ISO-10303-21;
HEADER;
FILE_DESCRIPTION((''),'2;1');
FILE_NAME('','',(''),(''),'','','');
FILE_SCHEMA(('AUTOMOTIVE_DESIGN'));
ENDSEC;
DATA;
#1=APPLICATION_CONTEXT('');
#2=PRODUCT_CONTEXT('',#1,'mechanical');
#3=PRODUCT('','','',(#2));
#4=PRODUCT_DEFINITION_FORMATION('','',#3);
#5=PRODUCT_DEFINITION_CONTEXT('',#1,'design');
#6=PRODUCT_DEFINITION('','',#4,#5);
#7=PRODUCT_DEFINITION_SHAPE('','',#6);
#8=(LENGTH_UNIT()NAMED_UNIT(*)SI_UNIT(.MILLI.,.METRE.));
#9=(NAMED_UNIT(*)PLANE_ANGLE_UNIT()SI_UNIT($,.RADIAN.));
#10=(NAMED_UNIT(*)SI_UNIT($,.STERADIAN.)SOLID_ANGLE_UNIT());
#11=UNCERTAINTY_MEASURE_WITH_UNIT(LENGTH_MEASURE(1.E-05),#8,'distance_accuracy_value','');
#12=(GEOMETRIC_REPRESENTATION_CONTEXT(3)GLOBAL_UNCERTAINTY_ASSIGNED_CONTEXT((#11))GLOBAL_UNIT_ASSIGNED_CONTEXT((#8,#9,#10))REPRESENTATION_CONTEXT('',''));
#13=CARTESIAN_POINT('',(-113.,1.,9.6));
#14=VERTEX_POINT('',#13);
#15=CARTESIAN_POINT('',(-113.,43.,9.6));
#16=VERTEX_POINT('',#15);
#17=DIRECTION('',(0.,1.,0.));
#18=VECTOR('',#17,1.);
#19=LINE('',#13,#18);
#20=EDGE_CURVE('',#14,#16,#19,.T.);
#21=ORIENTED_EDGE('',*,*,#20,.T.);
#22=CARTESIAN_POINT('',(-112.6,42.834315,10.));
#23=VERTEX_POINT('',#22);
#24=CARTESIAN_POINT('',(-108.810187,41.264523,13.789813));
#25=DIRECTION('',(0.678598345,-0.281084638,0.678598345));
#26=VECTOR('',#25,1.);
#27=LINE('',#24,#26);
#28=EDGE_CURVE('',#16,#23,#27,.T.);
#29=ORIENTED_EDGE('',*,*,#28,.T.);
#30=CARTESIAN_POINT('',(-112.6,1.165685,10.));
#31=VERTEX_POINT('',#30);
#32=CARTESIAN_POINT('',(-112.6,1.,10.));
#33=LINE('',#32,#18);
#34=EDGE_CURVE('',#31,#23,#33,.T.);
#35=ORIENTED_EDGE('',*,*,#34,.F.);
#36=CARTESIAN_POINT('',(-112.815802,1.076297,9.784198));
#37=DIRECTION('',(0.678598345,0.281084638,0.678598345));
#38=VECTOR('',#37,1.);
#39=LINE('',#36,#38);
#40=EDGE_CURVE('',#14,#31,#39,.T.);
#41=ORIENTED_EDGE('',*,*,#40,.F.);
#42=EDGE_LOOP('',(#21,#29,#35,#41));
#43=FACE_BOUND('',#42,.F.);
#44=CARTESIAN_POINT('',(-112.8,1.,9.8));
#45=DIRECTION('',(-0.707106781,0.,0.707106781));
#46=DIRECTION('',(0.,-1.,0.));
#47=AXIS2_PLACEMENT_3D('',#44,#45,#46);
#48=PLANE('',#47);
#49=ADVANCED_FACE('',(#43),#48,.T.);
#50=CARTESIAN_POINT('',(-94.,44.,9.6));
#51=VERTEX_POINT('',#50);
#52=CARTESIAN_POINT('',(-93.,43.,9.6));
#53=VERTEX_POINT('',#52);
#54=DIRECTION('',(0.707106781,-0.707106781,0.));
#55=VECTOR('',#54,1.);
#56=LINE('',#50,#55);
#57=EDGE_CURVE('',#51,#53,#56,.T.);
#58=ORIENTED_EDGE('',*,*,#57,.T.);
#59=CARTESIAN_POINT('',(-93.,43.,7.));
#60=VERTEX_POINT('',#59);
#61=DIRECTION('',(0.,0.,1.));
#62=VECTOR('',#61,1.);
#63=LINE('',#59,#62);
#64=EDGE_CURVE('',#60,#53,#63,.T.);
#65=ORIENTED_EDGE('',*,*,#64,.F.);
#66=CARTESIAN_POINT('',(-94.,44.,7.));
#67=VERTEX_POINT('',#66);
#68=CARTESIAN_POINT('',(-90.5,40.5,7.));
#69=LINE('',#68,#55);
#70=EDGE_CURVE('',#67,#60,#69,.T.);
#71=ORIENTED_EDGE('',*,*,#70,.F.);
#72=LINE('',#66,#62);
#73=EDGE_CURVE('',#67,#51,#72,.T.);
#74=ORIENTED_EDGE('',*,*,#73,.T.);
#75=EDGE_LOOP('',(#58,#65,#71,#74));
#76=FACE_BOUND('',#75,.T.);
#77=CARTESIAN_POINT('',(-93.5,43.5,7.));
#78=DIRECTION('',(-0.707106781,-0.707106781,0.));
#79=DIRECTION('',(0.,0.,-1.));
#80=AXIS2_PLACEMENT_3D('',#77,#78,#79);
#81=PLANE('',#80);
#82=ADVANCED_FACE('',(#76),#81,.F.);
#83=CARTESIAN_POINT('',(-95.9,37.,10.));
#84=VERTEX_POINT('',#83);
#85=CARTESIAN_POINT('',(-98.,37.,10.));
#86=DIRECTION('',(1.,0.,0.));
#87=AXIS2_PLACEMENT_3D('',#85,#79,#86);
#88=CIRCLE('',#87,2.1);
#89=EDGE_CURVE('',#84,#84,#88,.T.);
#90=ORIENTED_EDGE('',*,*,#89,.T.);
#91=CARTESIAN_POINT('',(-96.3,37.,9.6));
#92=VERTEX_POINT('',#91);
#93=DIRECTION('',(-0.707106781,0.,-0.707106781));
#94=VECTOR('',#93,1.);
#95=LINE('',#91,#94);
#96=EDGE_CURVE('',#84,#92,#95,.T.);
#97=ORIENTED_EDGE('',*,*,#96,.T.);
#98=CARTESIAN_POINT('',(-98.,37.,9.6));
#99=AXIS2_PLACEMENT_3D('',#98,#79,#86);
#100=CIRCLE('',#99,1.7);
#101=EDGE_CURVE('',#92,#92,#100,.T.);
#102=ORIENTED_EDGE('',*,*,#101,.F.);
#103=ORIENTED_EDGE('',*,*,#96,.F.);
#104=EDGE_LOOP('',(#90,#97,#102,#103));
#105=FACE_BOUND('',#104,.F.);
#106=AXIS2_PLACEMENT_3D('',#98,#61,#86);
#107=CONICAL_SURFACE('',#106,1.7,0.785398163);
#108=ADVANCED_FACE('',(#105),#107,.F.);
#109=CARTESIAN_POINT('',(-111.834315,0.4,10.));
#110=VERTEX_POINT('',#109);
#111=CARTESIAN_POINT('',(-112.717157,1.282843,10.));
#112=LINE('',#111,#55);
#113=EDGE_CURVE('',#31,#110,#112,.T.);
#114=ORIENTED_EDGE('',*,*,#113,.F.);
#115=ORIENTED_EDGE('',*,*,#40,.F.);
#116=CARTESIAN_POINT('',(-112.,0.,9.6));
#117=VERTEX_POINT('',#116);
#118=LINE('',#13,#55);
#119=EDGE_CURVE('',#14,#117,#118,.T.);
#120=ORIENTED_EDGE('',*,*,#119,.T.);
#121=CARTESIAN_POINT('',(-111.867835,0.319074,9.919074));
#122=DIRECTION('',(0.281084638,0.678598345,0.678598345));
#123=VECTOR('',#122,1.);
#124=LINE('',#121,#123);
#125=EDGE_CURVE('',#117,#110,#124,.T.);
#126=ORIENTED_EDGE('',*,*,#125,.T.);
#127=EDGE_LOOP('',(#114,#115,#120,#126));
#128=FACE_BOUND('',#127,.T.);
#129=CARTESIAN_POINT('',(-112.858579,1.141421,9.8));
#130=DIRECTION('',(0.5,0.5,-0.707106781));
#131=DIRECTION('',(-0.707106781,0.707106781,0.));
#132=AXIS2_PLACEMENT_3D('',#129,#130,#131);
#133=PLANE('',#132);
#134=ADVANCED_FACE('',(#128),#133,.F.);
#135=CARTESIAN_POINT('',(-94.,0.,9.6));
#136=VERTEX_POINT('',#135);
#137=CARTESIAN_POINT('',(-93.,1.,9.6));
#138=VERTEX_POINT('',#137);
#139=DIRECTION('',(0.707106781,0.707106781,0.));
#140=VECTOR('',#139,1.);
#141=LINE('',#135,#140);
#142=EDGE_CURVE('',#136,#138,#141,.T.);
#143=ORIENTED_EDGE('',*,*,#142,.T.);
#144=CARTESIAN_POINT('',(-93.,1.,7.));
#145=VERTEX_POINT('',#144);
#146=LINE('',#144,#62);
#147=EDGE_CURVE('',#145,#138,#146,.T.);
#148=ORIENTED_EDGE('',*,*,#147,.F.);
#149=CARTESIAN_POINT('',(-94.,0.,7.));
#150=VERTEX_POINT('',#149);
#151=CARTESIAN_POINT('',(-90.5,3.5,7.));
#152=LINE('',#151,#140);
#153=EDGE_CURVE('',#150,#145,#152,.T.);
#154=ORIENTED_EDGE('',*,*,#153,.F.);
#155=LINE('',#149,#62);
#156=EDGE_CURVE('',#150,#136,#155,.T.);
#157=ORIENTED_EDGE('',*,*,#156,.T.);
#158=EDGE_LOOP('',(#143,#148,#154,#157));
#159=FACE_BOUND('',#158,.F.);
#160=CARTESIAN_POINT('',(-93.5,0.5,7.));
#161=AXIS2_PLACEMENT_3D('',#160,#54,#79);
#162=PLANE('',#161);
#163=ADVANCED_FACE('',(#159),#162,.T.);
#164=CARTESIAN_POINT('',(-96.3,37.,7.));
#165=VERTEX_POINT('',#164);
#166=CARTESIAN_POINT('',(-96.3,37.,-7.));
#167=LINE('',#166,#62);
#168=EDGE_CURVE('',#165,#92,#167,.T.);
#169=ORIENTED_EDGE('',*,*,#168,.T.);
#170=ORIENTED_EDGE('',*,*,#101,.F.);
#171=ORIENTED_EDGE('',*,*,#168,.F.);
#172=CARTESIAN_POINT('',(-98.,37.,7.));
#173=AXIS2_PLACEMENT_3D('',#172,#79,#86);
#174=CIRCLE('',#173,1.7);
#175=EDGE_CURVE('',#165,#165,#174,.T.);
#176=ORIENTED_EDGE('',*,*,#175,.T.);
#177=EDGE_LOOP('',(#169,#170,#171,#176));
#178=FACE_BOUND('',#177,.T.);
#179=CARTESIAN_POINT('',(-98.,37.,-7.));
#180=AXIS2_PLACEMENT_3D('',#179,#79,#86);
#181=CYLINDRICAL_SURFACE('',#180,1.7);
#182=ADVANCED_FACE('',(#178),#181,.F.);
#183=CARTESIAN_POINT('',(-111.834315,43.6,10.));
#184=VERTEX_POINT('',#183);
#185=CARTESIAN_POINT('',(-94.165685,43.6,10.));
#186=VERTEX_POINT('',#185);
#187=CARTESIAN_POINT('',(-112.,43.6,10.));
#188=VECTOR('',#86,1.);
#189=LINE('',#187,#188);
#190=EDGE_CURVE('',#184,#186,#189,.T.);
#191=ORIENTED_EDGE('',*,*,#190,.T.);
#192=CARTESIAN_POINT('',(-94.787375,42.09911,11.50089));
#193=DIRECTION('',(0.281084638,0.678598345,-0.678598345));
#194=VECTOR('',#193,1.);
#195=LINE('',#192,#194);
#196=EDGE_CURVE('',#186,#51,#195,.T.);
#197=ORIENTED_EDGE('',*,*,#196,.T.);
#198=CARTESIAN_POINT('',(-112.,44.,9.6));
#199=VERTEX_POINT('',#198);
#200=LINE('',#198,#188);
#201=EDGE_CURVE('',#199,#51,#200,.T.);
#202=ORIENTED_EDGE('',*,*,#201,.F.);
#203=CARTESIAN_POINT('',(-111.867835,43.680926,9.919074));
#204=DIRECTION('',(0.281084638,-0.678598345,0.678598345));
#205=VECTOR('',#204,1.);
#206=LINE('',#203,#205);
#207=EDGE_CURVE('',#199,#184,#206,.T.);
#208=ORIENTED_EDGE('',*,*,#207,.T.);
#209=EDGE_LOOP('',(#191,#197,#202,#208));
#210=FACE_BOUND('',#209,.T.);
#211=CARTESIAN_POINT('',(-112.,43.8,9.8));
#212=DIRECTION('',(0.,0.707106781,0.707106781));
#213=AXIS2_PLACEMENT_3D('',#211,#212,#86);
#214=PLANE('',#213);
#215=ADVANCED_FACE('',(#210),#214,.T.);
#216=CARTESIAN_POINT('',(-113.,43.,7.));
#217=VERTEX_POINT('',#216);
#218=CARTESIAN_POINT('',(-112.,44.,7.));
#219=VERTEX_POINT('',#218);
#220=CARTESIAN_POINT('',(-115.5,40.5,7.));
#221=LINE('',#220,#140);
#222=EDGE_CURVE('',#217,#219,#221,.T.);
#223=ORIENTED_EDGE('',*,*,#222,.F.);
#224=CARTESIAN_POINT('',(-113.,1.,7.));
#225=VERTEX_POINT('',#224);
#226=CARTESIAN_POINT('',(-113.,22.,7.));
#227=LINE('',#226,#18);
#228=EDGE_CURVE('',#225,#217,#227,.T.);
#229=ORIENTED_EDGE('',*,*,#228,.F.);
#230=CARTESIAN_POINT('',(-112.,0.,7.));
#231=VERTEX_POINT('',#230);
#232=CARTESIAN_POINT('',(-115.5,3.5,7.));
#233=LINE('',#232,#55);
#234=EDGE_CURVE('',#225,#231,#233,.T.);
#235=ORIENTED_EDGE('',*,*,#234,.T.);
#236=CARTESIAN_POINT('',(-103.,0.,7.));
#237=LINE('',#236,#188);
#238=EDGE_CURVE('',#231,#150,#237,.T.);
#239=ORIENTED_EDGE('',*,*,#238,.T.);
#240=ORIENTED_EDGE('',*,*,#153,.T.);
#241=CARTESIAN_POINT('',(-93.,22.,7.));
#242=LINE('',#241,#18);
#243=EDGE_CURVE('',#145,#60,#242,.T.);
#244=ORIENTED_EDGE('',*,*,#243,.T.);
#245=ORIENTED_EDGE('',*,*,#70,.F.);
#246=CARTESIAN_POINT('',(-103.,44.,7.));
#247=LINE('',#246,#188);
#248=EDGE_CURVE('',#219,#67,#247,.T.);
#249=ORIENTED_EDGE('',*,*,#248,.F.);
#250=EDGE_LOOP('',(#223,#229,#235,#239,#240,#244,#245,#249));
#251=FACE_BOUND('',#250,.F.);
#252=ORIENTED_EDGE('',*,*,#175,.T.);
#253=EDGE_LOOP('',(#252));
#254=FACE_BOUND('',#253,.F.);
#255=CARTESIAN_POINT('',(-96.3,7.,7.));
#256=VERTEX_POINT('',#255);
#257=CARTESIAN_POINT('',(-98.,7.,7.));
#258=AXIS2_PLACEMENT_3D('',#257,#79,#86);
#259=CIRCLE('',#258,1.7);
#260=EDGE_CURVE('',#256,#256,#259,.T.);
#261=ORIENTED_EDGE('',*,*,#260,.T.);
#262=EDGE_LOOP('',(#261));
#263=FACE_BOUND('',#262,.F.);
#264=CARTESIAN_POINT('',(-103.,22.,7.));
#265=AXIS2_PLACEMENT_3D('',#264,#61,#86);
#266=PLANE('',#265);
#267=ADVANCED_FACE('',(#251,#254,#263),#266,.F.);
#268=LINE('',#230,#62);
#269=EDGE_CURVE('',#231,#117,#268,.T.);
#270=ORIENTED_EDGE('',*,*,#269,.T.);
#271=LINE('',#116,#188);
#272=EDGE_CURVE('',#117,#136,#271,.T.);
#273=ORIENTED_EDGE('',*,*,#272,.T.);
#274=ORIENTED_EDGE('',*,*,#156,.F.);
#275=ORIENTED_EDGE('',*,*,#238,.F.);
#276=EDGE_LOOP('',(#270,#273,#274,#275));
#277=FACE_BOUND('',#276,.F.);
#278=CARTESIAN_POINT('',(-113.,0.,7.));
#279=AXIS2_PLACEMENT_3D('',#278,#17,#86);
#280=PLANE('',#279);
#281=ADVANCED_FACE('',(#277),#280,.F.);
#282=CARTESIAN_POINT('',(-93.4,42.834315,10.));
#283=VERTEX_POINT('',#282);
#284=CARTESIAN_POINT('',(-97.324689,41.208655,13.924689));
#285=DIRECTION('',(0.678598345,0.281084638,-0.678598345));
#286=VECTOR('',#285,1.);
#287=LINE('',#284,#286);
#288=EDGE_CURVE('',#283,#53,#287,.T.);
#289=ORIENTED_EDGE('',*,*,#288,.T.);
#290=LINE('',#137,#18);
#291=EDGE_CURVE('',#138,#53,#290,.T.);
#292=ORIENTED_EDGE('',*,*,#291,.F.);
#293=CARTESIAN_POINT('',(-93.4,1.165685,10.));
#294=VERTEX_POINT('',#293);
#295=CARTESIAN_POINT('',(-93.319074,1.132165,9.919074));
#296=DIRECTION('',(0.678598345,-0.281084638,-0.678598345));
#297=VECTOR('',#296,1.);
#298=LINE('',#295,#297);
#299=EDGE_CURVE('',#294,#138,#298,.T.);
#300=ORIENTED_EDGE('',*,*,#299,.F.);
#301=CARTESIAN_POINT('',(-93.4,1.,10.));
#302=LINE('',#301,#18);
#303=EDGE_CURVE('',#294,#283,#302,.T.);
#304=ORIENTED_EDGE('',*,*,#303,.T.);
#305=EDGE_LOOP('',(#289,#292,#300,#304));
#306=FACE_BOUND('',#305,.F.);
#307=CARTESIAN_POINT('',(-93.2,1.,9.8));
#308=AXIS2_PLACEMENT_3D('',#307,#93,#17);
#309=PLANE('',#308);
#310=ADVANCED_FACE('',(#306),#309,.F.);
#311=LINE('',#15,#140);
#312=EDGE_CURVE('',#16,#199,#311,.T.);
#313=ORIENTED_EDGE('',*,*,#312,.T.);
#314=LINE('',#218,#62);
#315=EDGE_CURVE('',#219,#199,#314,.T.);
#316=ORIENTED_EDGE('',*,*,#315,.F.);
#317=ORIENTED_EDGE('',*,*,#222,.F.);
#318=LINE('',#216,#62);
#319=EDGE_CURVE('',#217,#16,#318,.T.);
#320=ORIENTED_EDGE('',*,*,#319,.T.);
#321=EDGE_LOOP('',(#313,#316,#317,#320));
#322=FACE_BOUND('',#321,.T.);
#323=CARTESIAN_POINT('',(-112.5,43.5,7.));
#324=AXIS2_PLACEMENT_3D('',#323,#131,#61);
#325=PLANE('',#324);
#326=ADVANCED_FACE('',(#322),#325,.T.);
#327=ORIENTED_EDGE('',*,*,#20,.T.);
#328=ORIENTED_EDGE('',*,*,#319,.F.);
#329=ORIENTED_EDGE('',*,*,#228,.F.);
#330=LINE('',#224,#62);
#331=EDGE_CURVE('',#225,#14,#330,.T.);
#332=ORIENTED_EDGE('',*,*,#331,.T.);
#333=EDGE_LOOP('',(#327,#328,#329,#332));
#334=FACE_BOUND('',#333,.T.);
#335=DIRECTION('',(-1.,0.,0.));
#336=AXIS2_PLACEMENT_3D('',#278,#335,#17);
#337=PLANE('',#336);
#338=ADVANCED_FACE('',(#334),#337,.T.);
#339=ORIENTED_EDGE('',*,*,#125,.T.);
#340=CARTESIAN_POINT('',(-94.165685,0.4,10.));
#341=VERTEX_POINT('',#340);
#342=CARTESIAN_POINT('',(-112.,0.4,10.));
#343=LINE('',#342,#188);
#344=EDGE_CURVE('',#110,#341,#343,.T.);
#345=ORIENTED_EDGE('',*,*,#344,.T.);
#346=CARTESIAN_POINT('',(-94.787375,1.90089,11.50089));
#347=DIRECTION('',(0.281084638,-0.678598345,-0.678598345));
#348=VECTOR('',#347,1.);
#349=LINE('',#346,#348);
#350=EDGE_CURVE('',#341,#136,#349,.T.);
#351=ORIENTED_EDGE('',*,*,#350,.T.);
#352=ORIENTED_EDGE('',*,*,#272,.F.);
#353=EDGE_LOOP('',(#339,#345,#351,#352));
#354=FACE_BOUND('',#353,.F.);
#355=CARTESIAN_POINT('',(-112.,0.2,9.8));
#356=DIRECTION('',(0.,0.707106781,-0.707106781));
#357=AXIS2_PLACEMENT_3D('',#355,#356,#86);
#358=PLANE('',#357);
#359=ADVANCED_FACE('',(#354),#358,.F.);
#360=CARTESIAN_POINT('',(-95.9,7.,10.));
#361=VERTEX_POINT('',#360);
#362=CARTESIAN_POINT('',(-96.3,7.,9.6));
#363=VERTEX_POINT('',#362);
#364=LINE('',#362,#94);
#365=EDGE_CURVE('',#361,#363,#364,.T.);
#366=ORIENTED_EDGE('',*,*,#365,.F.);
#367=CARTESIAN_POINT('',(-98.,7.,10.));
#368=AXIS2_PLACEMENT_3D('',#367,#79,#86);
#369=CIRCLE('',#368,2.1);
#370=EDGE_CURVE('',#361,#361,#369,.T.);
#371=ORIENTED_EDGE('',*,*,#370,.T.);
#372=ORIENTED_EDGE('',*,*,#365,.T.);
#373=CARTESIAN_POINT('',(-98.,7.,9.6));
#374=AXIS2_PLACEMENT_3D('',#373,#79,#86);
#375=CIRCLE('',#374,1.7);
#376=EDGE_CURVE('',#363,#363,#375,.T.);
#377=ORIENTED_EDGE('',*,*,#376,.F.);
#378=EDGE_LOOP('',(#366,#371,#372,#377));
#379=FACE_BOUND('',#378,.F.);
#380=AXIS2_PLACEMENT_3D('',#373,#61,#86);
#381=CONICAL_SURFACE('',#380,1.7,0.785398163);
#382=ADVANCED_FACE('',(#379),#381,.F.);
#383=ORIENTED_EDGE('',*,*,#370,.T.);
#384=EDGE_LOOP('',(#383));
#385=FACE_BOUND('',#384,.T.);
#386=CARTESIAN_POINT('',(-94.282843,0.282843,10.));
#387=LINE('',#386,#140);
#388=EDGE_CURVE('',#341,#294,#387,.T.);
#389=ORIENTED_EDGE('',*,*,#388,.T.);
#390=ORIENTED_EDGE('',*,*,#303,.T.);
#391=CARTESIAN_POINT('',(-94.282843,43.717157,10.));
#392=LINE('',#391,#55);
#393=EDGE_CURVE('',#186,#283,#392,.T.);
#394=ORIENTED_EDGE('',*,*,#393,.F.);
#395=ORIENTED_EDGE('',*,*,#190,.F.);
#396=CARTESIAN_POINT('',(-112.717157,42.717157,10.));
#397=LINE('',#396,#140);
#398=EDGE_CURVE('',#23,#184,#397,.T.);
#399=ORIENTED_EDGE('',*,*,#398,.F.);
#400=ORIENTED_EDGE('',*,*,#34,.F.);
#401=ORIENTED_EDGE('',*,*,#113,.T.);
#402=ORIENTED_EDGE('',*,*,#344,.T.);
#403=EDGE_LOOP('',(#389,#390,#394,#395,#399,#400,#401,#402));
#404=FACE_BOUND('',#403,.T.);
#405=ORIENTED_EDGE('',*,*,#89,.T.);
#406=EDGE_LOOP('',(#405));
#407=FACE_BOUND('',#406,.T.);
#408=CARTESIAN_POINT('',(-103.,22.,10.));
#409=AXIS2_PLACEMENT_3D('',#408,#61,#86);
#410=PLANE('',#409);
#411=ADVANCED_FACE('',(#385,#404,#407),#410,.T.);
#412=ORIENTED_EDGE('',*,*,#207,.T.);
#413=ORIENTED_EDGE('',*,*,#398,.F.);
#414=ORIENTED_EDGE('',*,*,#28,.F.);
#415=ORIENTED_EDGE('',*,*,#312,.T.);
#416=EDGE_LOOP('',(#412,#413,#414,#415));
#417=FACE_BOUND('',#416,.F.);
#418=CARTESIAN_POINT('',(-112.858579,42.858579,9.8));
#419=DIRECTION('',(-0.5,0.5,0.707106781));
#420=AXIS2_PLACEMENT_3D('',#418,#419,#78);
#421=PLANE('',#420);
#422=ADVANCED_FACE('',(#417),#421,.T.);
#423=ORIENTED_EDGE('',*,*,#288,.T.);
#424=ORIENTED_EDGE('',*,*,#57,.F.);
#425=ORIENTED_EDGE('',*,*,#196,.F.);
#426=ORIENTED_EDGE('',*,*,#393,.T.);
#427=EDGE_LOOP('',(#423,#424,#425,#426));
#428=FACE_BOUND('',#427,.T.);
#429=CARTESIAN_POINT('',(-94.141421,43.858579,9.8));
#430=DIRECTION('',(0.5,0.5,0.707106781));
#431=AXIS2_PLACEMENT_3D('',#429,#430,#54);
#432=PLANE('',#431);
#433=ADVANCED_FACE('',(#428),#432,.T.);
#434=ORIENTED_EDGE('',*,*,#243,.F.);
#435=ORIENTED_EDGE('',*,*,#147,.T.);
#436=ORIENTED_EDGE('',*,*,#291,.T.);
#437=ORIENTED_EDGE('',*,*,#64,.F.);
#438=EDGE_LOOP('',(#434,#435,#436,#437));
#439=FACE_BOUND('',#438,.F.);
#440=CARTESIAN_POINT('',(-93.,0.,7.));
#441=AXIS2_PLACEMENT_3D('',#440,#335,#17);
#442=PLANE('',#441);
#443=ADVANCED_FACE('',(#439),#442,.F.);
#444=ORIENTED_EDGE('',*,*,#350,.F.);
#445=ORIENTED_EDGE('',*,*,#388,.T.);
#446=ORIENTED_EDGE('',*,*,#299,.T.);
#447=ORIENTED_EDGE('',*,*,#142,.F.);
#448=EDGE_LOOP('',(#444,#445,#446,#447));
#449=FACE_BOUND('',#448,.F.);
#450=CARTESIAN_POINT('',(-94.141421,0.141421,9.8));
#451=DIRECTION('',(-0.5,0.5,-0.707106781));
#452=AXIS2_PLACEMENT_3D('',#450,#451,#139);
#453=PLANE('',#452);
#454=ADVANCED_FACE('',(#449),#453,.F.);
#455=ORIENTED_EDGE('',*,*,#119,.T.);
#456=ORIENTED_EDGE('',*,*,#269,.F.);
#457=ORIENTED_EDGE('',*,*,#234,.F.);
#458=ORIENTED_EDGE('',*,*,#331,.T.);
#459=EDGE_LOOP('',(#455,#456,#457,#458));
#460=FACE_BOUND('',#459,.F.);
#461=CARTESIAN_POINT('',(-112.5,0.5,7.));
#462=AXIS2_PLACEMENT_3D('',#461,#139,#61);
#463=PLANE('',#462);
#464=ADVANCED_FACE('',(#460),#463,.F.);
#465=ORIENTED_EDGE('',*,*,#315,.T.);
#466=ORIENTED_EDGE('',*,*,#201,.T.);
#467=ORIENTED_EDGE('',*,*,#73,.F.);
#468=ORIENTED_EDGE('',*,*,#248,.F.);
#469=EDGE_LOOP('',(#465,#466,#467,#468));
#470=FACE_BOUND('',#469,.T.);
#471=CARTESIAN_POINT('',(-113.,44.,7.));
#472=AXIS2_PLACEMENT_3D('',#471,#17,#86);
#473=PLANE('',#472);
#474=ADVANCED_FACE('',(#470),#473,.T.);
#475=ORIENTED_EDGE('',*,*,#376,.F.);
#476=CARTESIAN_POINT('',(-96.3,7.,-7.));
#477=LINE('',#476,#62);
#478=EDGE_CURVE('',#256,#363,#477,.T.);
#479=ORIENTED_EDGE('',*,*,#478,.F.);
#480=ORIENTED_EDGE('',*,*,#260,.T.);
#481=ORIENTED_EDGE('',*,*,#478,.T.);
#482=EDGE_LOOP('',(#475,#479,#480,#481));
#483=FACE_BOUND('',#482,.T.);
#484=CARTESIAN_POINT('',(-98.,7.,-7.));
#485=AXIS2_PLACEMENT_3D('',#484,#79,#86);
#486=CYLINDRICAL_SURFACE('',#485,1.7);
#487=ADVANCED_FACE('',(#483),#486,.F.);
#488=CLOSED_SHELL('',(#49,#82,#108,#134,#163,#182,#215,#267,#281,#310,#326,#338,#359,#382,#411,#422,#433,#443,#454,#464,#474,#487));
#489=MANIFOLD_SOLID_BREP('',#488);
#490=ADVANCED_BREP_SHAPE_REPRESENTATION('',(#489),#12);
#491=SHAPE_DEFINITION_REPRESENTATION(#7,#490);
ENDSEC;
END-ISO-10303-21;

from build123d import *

# Parameters (mm, degrees)
CYLINDER030_R            = 1.7
CYLINDER030_DEPTH        = 30
CYLINDER029_R            = 1.7
CYLINDER029_DEPTH        = 30
BOX051016_W              = 20
BOX051016_H              = 44
BOX051016_DEPTH          = 3
CHAMFER034005002007_SIZE = 1
CHAMFER034005002008_SIZE = 0.4


with BuildPart() as cylinder030:
    # Cylinder030 → Cylinder030 (new body)
    with BuildSketch(Plane(origin=(-98, 37, -7), x_dir=(1, 0, 0), z_dir=(0, 0, 1))):
        Circle(CYLINDER030_R)
    extrude(amount=CYLINDER030_DEPTH)


with BuildPart() as fusion021005008:
    # Cylinder029 → Cylinder029 (new body)
    with BuildSketch(Plane(origin=(-98, 7, -7), x_dir=(1, 0, 0), z_dir=(0, 0, 1))):
        Circle(CYLINDER029_R)
    extrude(amount=CYLINDER029_DEPTH)

    # Fusion021005008: union Cylinder030
    add(cylinder030.part)


with BuildPart() as cable_route_cap:
    # Box051016 → Box051016 (new body)
    with BuildSketch(Plane(origin=(-113, 0, 7), x_dir=(1, 0, 0), z_dir=(0, 0, 1))):
        with Locations((10, 22)):
            Rectangle(BOX051016_W, BOX051016_H)
    extrude(amount=BOX051016_DEPTH)

    # Cut018011002005: cut Fusion021005008
    add(fusion021005008.part, mode=Mode.SUBTRACT)

    # Chamfer034005002007
    chamfer034005002007_edges = [cable_route_cap.edges().sort_by_distance(p)[0] for p in [
        (-113, 0, 8.5),
        (-113, 44, 8.5),
        (-93, 0, 8.5),
        (-93, 44, 8.5),
    ]]
    chamfer(chamfer034005002007_edges, length=CHAMFER034005002007_SIZE)

    # Chamfer034005002008
    chamfer034005002008_edges = [cable_route_cap.edges().sort_by_distance(p)[0] for p in [
        (-113, 22, 10),
        (-112.5, 0.5, 10),
        (-112.5, 43.5, 10),
        (-103, 0, 10),
        (-103, 44, 10),
        (-93.5, 0.5, 10),
        (-93.5, 43.5, 10),
        (-93, 22, 10),
        (-99.7, 7, 10),
        (-99.7, 37, 10),
    ]]
    chamfer(chamfer034005002008_edges, length=CHAMFER034005002008_SIZE)


solid = cable_route_cap.part
